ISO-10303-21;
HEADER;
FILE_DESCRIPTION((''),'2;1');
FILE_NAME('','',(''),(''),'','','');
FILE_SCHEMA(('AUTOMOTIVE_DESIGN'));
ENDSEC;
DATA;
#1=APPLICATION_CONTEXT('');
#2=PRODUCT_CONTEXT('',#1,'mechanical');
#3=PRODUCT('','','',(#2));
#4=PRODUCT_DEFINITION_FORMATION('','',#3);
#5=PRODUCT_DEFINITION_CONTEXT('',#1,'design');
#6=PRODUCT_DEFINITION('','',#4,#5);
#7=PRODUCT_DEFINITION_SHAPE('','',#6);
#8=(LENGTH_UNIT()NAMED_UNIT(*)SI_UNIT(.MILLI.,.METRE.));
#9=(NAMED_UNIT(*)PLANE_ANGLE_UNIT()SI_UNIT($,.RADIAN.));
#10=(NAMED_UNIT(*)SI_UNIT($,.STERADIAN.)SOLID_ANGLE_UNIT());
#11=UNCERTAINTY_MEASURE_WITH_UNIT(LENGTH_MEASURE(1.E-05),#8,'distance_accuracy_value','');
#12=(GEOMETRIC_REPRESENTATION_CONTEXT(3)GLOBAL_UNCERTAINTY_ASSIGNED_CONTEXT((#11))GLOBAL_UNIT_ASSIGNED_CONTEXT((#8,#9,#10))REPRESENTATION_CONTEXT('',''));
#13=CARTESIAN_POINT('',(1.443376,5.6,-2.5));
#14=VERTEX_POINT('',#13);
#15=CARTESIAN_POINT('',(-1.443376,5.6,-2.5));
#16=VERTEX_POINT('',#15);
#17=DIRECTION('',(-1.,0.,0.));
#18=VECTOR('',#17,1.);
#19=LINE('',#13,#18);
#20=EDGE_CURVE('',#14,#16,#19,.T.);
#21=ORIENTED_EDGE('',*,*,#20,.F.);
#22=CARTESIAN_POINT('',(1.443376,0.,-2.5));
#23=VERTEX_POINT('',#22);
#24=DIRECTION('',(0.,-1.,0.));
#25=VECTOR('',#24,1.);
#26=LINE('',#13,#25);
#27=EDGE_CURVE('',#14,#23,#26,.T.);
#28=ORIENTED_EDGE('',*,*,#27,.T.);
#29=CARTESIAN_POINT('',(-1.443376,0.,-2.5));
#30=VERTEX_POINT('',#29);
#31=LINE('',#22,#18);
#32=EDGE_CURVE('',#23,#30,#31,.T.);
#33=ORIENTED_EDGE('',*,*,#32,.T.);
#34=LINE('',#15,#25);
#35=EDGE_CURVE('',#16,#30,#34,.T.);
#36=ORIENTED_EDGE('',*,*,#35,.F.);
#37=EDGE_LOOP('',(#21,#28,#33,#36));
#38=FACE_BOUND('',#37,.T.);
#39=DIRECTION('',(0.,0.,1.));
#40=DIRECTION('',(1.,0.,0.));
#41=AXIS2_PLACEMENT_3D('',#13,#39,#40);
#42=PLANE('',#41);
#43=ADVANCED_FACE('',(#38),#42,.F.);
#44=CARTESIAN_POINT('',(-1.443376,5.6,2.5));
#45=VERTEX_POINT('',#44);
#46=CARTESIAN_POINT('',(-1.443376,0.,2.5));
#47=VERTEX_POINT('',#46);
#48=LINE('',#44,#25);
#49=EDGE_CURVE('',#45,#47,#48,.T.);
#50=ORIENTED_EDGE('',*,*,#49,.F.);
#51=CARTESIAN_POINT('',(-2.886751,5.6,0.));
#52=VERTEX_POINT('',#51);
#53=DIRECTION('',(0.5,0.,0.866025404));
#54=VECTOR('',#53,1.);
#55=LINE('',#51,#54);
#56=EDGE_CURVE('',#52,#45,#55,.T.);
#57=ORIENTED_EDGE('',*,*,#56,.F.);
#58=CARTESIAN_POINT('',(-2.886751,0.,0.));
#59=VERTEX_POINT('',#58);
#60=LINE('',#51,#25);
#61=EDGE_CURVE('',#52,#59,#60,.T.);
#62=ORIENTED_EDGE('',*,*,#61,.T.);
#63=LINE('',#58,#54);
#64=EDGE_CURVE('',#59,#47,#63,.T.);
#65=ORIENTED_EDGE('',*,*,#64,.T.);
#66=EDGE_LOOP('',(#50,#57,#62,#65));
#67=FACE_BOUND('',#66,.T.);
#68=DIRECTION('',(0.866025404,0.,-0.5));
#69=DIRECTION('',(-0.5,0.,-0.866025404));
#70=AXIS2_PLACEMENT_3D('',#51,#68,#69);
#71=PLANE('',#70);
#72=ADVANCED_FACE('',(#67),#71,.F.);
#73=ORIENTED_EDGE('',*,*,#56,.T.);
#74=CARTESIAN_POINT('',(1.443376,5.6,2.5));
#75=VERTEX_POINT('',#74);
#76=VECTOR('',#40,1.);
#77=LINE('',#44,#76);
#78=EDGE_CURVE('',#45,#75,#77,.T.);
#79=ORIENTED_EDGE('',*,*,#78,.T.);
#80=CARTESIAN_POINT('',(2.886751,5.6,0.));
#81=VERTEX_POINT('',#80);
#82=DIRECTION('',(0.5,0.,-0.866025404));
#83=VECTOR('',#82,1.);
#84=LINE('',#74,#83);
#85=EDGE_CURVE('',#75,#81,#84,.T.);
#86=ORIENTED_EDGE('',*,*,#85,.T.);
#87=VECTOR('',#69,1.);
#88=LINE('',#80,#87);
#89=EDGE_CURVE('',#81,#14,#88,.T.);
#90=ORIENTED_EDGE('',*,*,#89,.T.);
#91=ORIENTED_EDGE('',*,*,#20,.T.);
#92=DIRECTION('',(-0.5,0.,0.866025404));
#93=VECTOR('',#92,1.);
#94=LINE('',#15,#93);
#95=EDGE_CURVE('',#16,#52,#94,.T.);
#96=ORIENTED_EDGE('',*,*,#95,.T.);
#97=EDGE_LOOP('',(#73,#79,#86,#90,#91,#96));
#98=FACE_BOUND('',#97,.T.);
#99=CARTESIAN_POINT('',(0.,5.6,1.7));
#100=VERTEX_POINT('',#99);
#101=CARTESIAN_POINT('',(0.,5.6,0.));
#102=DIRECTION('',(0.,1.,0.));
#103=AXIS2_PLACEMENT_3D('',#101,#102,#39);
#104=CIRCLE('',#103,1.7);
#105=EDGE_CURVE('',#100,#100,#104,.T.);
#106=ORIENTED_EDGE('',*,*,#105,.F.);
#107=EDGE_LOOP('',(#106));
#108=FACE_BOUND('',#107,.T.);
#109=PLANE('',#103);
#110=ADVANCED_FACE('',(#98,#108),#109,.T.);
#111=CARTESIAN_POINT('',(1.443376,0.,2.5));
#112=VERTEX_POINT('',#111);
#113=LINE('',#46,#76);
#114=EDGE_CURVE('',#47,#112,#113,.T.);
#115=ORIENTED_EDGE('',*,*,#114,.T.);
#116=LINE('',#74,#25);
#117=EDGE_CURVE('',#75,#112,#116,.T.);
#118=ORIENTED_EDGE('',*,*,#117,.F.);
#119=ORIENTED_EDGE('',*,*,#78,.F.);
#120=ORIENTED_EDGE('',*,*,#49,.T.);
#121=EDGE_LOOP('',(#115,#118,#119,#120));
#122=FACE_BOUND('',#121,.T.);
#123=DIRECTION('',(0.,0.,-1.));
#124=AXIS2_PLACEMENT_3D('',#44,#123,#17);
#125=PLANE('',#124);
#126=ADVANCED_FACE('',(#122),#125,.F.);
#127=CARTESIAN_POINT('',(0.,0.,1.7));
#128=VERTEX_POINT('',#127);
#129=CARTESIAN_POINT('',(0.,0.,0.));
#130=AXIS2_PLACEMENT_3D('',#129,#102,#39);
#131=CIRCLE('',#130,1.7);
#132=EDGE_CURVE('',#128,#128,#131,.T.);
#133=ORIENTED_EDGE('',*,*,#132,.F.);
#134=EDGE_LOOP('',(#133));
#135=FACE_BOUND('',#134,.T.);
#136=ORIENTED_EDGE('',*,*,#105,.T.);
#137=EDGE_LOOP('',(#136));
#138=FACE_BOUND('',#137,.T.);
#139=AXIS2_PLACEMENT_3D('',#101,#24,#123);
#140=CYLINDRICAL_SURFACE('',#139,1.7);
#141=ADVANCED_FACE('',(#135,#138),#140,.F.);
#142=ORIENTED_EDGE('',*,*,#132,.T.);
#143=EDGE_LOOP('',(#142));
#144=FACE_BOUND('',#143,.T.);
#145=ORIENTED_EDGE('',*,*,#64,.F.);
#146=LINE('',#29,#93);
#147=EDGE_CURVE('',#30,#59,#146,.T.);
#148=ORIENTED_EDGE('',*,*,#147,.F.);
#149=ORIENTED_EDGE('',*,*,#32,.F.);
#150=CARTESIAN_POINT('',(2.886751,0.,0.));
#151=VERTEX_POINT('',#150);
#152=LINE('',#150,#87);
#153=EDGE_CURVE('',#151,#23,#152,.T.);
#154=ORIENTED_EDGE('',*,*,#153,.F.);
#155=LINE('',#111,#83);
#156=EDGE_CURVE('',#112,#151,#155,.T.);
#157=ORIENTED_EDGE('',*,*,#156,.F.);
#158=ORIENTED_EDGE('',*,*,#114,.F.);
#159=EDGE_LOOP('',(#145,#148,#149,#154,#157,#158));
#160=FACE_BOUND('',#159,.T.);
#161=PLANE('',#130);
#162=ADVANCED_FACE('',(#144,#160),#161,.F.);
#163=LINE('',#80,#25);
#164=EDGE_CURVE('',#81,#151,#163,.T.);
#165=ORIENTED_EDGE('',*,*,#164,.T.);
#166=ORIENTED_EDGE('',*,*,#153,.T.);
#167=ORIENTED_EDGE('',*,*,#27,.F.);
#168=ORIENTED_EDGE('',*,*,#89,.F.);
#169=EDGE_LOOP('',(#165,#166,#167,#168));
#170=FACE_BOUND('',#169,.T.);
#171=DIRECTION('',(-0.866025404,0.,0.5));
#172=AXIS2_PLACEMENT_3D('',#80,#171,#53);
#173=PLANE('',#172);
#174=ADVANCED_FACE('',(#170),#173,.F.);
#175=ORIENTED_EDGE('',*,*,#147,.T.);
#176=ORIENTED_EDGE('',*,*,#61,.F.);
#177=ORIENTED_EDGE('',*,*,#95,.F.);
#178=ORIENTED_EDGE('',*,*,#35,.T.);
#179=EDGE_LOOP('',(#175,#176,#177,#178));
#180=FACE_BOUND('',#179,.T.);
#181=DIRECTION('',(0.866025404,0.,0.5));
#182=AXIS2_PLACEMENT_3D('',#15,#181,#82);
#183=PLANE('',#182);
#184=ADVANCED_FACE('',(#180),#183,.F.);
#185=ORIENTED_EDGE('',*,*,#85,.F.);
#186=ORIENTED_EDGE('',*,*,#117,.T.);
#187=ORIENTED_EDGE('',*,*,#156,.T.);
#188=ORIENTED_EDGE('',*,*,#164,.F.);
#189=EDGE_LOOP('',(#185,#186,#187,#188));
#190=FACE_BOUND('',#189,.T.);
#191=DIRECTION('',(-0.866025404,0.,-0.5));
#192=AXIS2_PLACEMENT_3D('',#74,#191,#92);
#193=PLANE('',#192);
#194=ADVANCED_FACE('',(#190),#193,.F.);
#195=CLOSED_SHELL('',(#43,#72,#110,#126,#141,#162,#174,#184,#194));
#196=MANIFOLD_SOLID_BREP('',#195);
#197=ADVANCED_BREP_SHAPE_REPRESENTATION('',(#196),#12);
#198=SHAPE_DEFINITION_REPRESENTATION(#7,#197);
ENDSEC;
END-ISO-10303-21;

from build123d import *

# Parameters (mm, degrees)
SKETCH_1_R      = 1.7
EXTRUDE_1_DEPTH = 5.6


with BuildPart() as part:
    # 草图1 → 凸台-拉伸1 (new body)
    with BuildSketch(Plane(origin=(0, 0, 0), x_dir=(1, 0, 0), z_dir=(0, 1, 0))):
        Polygon((2.886751346, 0), (1.443375673, 2.5), (-1.443375673, 2.5), (-2.886751346, 0), (-1.443375673, -2.5), (1.443375673, -2.5), align=None)
        with Locations(Location((0, 0, 0), (0, 0, 270))):
            Circle(SKETCH_1_R, mode=Mode.SUBTRACT)
    extrude(amount=EXTRUDE_1_DEPTH)


solid = part.part
